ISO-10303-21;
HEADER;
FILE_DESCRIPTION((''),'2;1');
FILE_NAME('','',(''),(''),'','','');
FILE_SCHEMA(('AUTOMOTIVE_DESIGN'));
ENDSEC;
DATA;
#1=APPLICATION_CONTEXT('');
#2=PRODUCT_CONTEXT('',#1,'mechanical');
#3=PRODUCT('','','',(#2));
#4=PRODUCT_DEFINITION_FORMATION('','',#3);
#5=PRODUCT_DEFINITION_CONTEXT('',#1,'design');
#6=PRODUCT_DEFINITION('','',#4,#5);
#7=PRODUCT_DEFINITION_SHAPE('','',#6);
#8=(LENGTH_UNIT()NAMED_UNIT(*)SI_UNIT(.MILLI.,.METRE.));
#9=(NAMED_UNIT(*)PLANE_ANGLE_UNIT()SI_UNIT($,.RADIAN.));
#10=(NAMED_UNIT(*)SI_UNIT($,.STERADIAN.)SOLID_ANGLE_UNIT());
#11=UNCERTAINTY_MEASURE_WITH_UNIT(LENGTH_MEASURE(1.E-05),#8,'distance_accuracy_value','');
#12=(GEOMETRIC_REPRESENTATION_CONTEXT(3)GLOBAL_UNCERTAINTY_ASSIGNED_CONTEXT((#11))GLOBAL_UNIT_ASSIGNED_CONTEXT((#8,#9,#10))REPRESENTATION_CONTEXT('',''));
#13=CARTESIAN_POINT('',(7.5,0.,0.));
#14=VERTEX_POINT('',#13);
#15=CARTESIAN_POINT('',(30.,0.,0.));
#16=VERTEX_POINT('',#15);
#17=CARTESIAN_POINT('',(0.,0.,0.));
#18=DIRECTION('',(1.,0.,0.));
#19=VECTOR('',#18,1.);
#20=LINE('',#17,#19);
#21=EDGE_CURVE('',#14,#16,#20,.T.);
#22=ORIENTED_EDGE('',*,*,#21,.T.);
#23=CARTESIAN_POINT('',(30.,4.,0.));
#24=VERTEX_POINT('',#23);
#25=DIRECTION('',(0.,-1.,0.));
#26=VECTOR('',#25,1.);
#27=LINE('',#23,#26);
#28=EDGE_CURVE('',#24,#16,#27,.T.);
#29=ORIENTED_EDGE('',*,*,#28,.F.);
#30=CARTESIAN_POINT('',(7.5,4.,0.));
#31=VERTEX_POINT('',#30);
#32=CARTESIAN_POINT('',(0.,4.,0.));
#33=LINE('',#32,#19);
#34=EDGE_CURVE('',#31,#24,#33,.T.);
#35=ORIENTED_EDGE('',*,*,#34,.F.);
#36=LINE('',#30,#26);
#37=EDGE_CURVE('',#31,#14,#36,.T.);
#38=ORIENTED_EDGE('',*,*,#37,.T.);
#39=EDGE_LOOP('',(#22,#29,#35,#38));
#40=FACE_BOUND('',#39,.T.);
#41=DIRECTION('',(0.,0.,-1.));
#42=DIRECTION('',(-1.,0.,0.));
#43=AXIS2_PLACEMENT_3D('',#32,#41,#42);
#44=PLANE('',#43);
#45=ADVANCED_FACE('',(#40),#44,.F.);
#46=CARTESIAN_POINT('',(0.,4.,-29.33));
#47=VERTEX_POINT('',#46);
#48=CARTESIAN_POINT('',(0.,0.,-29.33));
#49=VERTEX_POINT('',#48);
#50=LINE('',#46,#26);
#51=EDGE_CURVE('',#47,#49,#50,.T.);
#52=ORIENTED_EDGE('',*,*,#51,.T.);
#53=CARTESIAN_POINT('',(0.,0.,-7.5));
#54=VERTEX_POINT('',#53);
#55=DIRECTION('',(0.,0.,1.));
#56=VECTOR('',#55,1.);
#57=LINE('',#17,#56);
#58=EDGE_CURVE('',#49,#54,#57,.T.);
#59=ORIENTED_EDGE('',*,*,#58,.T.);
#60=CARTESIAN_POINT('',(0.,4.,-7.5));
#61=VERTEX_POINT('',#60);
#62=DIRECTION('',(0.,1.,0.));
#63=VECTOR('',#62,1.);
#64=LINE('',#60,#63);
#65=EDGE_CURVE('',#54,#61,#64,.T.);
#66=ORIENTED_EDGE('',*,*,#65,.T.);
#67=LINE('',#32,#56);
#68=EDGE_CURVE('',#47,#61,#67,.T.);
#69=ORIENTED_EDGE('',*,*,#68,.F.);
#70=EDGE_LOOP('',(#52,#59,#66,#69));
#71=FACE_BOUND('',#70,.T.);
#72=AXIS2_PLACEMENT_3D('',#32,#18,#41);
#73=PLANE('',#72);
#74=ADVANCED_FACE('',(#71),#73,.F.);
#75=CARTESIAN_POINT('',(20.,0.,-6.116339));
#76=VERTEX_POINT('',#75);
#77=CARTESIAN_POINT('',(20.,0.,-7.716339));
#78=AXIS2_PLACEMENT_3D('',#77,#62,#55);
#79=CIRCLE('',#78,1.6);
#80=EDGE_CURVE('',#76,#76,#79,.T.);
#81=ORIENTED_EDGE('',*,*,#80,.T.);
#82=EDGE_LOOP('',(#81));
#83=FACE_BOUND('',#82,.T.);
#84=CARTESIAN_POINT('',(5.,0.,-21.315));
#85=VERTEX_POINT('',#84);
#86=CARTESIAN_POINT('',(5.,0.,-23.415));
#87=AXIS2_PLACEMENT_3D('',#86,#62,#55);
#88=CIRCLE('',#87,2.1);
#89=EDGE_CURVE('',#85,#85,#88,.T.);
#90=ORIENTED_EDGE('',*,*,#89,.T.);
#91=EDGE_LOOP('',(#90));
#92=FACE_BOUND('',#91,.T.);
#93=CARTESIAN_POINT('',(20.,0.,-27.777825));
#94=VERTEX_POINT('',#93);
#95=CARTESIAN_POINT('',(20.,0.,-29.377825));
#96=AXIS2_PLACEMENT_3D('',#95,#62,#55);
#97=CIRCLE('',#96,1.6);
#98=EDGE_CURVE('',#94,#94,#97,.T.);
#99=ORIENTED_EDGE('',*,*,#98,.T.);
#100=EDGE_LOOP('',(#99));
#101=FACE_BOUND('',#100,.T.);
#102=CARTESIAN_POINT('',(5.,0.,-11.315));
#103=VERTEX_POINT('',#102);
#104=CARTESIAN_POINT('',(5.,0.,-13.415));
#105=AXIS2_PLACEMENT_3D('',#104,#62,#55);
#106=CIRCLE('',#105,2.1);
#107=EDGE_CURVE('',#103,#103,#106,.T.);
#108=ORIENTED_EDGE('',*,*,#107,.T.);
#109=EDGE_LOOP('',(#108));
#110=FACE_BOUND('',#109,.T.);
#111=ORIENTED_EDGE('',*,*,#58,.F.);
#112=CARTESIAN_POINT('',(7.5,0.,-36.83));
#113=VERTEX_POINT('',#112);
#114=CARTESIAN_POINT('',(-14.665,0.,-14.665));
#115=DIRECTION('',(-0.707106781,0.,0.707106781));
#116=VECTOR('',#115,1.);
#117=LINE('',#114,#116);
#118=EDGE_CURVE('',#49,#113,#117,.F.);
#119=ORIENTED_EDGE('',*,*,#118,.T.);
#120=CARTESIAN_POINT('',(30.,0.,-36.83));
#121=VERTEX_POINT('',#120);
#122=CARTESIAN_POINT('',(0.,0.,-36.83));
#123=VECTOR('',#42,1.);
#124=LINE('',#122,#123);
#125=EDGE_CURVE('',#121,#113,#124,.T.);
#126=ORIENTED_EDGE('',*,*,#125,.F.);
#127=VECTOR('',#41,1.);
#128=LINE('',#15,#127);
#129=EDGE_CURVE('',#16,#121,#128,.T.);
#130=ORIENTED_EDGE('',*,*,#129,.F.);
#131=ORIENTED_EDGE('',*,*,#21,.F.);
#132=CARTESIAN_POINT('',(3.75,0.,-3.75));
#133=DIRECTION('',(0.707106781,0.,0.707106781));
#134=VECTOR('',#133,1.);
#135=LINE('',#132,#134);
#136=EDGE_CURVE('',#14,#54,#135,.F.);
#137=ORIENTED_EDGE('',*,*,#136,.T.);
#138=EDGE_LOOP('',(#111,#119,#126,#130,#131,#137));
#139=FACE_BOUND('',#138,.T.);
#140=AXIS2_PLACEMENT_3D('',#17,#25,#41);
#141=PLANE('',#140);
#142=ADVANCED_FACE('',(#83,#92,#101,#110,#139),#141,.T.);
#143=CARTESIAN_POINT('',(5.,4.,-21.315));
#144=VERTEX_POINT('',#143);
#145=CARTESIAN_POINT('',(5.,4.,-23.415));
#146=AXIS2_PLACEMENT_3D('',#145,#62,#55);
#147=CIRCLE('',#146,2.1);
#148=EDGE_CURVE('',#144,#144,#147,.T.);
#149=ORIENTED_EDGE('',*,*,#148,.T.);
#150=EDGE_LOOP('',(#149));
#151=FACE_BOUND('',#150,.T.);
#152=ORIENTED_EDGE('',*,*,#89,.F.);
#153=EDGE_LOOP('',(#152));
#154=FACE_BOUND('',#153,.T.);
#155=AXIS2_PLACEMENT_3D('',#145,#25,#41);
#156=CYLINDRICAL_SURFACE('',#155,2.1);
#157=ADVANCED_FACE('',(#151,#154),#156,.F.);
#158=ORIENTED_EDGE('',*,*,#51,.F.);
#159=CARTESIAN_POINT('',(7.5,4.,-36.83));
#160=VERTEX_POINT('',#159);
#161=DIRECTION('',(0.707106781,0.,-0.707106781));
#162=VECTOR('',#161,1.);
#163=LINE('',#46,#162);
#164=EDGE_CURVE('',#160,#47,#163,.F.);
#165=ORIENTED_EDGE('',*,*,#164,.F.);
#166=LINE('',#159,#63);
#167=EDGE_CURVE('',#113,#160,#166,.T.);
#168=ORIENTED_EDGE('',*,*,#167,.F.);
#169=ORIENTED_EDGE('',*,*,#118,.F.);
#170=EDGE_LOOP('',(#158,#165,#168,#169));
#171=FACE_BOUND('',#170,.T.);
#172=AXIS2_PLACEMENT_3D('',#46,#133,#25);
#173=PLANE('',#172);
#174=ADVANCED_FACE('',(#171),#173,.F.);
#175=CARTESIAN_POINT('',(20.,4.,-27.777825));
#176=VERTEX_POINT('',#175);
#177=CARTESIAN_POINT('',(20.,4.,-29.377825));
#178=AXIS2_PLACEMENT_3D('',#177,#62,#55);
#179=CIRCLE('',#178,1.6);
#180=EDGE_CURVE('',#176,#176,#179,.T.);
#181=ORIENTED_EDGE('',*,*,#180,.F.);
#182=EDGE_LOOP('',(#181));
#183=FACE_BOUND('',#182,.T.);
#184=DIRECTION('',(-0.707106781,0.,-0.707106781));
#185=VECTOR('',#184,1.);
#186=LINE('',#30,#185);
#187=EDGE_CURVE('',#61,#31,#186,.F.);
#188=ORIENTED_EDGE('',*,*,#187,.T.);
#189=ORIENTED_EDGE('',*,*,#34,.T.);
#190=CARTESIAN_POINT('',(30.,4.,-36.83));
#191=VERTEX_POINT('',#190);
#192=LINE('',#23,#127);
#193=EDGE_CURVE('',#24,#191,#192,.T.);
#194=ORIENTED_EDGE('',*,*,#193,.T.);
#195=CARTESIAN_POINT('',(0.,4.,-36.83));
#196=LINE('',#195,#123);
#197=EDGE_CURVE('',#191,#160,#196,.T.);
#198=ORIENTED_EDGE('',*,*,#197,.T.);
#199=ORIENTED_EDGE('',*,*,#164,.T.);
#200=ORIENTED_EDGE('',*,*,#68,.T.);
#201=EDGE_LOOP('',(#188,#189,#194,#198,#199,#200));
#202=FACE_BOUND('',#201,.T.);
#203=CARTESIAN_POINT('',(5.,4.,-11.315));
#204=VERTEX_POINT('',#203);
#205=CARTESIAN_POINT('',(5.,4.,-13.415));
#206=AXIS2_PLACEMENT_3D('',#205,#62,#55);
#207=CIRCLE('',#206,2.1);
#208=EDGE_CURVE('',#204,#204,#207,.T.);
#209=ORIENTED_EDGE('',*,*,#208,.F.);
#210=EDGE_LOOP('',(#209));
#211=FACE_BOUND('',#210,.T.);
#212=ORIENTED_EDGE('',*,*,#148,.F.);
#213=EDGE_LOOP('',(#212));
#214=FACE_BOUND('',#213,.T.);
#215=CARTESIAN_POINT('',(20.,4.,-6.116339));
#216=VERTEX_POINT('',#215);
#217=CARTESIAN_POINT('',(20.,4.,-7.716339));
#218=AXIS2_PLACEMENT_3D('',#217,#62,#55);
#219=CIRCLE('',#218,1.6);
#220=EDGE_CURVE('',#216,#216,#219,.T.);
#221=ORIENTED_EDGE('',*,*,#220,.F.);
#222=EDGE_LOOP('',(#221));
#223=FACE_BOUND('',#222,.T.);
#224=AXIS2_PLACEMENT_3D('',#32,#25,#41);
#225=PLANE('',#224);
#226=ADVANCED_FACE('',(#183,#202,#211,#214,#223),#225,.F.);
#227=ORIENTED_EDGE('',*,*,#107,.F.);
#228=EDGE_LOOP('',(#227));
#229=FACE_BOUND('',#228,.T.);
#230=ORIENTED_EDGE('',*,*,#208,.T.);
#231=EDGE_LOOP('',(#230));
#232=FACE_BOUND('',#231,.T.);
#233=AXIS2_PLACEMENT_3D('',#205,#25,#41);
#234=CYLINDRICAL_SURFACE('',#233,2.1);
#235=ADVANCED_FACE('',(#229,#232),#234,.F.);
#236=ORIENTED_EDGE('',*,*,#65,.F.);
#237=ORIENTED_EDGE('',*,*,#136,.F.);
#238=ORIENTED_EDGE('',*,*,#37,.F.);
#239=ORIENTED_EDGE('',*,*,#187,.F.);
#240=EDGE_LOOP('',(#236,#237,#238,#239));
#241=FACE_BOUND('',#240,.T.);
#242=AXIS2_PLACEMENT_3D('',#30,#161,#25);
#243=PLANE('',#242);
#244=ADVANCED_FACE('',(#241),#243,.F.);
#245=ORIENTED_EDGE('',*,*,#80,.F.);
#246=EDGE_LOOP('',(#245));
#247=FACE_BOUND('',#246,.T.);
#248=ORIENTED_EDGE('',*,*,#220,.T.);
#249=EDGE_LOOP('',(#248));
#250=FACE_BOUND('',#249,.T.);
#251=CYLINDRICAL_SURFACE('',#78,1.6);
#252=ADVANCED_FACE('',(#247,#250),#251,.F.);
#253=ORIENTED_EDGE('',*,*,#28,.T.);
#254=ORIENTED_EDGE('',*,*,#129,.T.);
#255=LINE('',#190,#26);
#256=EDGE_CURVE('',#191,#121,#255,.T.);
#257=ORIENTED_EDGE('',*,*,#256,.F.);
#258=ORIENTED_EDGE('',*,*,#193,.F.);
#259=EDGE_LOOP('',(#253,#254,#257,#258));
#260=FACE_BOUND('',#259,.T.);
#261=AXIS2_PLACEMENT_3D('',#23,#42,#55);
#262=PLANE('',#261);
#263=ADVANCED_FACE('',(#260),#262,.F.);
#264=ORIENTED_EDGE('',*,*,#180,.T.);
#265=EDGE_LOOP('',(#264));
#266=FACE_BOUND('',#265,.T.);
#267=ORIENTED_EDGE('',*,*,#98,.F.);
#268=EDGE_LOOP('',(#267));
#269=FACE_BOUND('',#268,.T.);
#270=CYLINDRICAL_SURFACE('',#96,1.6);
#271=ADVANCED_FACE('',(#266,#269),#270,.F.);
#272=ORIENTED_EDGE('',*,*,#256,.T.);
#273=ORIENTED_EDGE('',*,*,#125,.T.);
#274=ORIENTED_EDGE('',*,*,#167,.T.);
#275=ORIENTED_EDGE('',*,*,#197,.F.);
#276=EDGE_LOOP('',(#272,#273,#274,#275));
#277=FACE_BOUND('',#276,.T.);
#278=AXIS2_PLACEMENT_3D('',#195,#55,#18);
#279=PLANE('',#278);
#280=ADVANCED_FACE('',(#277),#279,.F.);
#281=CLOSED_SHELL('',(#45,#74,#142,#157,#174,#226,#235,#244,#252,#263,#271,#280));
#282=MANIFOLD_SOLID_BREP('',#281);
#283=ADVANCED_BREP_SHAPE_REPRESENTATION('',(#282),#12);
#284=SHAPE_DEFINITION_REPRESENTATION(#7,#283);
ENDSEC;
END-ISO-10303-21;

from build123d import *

# Parameters (mm, degrees)
SKETCH1_W           = 30
SKETCH1_H           = 36.83
SKETCH1_R           = 2.1
BOSS_EXTRUDE1_DEPTH = 4
CHAMFER1_SIZE       = 7.5
SKETCH2_R           = 1.6
CUT_EXTRUDE1_DEPTH  = 48.670209775


with BuildPart() as part:
    # Sketch1 → Boss-Extrude1 (new body)
    with BuildSketch(Plane(origin=(0, 0, 0), x_dir=(1, 0, 0), z_dir=(0, 1, 0))):
        with Locations((15, 18.415)):
            Rectangle(SKETCH1_W, SKETCH1_H)
        with Locations(Location((5, 23.415, 0), (0, 0, 270))):
            Circle(SKETCH1_R, mode=Mode.SUBTRACT)
        with Locations(Location((5, 13.415, 0), (0, 0, 270))):
            Circle(SKETCH1_R, mode=Mode.SUBTRACT)
    extrude(amount=BOSS_EXTRUDE1_DEPTH)

    # Chamfer1
    chamfer1_edges = [part.edges().sort_by_distance(p)[0] for p in [
        (0, 2, -36.83),
        (0, 2, 0),
    ]]
    chamfer(chamfer1_edges, length=CHAMFER1_SIZE)

    # Sketch2 → Cut-Extrude1 (cut, through all)
    with BuildSketch(Plane(origin=(0, 4, 0), x_dir=(1, 0, 0), z_dir=(0, 1, 0))):
        with Locations(Location((20, 29.377825135, 0), (0, 0, 270))):
            Circle(SKETCH2_R)
        with Locations(Location((20, 7.716339326, 0), (0, 0, 270))):
            Circle(SKETCH2_R)
    extrude(amount=-CUT_EXTRUDE1_DEPTH, mode=Mode.SUBTRACT)


solid = part.part
